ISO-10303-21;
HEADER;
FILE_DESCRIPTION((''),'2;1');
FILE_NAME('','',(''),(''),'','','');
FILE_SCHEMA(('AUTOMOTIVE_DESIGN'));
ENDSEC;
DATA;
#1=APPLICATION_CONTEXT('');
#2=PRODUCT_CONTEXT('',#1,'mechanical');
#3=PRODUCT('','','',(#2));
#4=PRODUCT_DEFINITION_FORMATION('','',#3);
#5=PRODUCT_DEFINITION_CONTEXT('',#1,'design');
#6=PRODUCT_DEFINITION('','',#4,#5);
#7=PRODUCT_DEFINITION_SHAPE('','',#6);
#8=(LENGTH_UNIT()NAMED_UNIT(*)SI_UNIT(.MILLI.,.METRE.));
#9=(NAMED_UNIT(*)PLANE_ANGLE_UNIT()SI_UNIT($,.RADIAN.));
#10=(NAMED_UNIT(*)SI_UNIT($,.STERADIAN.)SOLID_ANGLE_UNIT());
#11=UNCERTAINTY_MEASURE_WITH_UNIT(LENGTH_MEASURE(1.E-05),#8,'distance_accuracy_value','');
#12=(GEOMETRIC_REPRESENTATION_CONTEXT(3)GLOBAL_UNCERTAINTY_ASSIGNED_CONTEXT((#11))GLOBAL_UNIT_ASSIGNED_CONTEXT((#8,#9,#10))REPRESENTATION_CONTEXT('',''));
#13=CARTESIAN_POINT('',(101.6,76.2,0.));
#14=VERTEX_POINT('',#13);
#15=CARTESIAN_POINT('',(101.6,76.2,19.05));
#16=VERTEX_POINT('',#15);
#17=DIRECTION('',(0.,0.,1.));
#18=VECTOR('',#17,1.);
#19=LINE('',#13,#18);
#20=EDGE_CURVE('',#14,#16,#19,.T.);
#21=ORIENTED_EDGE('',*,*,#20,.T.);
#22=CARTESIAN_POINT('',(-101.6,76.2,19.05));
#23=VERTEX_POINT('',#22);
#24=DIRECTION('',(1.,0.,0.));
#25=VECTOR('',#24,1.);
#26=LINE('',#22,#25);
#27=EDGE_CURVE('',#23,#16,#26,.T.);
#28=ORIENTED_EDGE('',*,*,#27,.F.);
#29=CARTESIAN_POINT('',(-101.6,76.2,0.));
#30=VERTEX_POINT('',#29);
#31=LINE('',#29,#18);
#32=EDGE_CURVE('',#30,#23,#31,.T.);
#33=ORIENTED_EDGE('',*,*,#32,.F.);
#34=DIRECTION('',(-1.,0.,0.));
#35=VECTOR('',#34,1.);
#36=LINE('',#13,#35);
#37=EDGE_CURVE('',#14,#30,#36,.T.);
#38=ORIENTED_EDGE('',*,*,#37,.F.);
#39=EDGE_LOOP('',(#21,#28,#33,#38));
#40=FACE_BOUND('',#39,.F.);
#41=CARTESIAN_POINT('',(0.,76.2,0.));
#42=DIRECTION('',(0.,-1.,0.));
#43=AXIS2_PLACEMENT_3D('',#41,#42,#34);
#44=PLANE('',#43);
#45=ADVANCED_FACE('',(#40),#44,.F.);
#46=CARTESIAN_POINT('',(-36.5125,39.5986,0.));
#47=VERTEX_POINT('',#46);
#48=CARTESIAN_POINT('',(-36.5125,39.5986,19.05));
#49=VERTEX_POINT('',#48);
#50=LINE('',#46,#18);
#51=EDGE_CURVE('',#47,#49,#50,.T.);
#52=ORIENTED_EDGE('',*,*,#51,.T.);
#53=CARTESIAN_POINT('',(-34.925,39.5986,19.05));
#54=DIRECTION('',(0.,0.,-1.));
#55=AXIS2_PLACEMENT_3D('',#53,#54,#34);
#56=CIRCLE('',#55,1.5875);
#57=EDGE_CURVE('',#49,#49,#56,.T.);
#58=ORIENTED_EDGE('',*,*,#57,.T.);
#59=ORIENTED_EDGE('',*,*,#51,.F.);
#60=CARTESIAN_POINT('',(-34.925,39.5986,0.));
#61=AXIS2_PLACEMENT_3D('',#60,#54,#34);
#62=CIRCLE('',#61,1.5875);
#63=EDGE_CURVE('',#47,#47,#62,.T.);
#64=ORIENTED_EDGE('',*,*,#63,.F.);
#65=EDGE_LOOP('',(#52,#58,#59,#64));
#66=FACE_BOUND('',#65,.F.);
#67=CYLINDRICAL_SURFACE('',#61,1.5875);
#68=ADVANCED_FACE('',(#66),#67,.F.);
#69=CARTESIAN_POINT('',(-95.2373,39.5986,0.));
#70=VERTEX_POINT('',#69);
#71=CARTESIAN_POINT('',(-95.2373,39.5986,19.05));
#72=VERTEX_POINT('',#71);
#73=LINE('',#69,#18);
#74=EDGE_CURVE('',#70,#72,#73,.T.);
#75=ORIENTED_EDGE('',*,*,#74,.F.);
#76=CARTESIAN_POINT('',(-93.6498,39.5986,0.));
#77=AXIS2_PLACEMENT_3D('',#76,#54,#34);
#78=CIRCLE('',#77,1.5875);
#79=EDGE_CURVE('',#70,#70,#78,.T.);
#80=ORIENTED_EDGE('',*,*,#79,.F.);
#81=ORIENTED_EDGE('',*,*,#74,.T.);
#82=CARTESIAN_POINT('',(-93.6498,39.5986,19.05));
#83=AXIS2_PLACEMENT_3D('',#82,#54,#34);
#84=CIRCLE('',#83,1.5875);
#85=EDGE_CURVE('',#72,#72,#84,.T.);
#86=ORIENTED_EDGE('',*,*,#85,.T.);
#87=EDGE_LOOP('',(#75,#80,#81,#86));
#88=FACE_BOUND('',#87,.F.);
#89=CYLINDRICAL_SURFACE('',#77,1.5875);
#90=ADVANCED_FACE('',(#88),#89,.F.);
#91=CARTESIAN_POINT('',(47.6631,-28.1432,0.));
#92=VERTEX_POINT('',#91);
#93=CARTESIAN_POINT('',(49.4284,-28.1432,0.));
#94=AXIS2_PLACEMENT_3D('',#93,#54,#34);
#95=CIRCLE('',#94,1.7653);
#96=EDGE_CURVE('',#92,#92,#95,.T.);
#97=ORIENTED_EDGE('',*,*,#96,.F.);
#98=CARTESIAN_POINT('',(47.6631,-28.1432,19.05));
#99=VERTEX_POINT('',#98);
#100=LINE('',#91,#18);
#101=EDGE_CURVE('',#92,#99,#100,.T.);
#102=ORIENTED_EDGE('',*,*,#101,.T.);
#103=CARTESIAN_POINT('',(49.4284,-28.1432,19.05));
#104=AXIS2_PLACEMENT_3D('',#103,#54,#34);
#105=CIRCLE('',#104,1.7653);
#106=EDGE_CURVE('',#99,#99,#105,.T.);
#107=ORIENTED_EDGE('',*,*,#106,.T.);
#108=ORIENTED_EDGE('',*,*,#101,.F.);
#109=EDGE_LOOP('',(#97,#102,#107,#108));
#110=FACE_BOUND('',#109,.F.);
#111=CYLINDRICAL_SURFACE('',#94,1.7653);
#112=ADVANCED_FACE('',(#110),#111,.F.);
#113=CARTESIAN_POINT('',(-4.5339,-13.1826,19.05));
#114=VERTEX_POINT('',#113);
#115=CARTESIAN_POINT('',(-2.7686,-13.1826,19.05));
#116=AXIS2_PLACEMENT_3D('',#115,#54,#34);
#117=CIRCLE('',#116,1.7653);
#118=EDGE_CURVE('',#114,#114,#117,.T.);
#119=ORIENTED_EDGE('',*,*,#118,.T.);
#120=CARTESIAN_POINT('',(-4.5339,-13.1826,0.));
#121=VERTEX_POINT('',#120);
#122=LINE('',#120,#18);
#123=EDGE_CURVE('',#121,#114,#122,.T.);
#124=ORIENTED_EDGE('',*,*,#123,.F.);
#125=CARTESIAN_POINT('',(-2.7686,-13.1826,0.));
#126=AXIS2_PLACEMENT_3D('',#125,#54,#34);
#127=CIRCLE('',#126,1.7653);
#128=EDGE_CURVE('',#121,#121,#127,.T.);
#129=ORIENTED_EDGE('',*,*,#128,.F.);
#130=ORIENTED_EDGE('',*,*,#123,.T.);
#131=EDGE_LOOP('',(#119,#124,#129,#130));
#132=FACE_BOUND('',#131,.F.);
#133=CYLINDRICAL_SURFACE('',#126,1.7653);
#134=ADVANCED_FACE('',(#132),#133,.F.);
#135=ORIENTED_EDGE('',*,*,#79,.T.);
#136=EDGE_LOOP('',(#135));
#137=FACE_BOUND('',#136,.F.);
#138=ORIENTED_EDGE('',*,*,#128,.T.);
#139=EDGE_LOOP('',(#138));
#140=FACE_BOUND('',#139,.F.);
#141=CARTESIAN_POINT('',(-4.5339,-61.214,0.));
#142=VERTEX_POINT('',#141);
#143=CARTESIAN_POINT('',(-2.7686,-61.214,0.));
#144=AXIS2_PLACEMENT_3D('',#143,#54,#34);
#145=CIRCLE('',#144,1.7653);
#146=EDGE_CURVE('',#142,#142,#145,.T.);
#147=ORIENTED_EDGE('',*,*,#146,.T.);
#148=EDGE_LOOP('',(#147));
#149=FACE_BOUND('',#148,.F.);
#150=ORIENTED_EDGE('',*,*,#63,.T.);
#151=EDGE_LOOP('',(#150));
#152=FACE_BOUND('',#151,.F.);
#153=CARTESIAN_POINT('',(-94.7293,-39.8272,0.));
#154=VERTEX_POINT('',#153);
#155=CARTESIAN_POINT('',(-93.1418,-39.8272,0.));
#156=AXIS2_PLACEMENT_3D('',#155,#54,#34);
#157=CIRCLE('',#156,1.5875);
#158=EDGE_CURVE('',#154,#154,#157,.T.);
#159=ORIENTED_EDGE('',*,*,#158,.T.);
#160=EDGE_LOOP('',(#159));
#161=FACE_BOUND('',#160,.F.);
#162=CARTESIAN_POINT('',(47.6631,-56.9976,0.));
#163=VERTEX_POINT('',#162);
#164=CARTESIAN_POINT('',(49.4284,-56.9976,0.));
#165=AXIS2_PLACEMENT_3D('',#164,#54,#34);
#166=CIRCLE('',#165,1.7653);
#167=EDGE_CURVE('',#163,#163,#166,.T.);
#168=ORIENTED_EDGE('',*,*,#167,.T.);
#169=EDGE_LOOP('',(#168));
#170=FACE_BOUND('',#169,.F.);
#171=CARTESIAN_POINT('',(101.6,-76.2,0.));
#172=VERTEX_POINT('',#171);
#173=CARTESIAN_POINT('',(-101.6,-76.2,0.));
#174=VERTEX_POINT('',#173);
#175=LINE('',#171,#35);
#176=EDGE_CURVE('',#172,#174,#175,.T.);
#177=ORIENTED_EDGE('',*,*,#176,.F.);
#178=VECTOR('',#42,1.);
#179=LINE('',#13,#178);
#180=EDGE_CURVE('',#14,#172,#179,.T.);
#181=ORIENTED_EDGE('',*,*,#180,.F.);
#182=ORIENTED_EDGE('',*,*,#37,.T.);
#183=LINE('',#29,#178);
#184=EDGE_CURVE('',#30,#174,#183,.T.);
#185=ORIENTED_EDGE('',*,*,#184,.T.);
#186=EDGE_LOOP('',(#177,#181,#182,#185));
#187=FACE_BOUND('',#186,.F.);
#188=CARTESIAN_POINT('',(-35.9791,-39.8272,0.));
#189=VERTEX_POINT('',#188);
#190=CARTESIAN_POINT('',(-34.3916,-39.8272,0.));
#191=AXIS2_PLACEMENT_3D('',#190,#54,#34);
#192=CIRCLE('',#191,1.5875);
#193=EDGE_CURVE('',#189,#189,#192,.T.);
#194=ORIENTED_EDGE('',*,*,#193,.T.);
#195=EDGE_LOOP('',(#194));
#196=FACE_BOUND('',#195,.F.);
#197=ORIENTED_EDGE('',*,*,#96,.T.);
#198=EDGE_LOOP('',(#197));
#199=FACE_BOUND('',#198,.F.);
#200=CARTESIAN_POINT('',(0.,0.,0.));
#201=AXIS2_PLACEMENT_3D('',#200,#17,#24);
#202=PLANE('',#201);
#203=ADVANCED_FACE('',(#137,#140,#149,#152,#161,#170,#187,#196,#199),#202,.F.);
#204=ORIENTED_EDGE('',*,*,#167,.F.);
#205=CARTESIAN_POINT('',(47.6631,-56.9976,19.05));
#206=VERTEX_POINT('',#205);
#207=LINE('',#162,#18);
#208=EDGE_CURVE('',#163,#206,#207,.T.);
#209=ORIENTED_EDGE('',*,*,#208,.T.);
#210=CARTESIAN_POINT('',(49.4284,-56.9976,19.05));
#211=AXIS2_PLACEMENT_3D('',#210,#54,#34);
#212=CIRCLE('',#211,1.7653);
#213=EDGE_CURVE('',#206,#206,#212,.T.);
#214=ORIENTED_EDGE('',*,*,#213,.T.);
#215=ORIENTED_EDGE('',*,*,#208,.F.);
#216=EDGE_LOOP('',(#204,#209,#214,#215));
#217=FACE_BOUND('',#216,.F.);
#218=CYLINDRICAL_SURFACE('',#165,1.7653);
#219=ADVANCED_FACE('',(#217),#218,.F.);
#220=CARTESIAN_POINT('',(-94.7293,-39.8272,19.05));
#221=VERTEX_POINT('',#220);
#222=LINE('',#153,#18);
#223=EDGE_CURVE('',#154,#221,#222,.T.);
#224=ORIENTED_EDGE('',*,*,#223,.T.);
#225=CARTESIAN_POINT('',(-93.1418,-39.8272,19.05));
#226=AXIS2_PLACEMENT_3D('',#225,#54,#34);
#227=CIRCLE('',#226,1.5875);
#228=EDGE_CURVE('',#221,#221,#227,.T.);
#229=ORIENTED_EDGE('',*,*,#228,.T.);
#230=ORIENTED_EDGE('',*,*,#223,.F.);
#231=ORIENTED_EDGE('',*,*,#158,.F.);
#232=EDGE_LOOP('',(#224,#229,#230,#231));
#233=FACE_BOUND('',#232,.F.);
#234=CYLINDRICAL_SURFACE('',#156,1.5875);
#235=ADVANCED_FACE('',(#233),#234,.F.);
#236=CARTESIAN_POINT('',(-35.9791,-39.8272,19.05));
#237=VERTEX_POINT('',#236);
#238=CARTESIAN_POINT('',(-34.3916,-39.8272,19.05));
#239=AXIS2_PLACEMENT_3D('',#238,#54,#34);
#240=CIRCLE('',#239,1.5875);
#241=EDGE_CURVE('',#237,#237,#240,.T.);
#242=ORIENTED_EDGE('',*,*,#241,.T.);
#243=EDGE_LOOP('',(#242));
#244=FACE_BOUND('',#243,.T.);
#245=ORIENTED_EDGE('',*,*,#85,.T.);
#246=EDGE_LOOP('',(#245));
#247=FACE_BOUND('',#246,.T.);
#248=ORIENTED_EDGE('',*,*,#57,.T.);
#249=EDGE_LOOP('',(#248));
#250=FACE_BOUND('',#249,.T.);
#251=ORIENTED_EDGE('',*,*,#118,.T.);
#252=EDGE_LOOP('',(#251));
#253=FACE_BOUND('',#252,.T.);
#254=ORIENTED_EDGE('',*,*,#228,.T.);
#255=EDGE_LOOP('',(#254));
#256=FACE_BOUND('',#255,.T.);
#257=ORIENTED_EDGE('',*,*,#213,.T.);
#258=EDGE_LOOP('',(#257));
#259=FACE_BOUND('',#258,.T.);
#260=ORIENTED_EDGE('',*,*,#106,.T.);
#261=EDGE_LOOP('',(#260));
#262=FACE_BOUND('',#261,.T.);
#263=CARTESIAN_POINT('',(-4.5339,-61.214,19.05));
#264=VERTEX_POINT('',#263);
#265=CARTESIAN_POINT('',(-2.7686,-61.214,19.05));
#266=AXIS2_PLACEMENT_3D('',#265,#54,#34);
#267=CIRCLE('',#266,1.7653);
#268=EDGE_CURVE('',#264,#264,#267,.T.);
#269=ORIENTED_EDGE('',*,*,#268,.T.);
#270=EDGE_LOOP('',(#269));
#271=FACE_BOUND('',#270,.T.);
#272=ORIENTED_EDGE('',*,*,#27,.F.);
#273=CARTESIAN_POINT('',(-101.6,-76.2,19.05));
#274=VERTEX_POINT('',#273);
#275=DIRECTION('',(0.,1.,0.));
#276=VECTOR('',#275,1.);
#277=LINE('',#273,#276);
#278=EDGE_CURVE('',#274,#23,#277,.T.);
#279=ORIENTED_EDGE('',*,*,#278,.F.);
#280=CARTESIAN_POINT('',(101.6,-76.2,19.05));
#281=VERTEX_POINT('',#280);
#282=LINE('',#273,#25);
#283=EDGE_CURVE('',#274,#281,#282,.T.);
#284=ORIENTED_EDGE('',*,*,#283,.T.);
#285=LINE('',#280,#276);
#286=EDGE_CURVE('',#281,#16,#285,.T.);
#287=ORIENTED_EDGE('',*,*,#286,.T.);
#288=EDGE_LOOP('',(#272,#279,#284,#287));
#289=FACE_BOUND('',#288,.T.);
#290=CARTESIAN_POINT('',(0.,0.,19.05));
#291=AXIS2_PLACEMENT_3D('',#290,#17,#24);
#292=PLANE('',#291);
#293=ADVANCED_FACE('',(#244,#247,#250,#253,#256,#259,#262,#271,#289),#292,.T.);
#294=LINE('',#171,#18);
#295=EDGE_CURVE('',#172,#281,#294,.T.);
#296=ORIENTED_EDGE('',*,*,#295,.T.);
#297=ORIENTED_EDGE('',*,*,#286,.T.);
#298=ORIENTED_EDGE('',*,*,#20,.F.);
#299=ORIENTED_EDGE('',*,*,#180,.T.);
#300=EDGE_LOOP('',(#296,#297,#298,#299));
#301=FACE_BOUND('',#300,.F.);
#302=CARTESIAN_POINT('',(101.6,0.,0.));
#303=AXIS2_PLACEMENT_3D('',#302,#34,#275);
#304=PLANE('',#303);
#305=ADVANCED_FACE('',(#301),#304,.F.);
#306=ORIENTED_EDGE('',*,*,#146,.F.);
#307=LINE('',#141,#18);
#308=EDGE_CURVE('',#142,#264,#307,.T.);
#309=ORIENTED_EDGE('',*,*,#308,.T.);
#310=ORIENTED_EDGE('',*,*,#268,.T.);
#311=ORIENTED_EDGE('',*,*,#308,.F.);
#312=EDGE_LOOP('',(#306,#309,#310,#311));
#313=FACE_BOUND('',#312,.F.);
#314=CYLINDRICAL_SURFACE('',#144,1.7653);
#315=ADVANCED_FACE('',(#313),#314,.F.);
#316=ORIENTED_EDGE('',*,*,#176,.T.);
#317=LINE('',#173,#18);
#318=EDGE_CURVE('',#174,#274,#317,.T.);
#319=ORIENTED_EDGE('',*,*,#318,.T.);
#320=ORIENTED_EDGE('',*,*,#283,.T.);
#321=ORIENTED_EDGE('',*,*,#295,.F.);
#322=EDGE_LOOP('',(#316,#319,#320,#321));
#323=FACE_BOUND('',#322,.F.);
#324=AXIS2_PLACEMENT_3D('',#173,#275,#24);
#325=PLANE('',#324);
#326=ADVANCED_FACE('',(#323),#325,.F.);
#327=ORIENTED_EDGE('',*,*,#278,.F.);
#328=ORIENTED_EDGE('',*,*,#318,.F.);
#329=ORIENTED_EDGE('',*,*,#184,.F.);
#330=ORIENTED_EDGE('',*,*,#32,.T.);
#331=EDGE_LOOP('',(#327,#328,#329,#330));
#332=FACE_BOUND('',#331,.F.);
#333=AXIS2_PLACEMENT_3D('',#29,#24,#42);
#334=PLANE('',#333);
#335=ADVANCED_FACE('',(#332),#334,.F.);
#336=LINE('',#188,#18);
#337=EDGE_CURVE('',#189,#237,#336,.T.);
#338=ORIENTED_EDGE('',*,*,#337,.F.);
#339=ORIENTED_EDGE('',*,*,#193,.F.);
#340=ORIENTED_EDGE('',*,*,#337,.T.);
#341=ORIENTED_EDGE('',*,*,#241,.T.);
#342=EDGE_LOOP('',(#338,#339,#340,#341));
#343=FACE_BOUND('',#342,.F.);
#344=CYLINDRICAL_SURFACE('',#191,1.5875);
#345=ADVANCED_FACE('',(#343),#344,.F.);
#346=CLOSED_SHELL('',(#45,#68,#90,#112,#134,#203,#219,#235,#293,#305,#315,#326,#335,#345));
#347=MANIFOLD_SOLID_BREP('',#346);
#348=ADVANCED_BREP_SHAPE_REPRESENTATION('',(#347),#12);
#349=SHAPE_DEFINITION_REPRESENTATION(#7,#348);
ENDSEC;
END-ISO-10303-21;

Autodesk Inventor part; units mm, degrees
ref_plane "YZ Plane" through (0, 0, 0) normal (1, 0, 0) x (0, 1, 0)
ref_plane "XZ Plane" through (0, 0, 0) normal (0, 1, 0) x (-1, 0, 0)
ref_plane "XY Plane" through (0, 0, 0) normal (0, 0, 1) x (1, 0, 0)
sketch "Sketch1" plane through (0, 0, 0) normal (0, 0, 1) x (1, 0, 0)
  line L0 (-142.24, 0) -> (142.24, 0) projected
  line L1 (0, -106.68) -> (0, 106.68) projected
  line L2 (-101.6, -76.2) -> (101.6, -76.2)
  line L3 (101.6, -76.2) -> (101.6, 76.2)
  line L4 (101.6, 76.2) -> (-101.6, 76.2)
  line L5 (-101.6, 76.2) -> (-101.6, -76.2)
  point P0 (0, 0)
  dimension "d0" = 203.2
  dimension "d1" = 152.4
extrude "Extrusion1" add sketch "Sketch1" along normal blind 19.05
sketch "Sketch14" plane through (0, 0, 0) normal (0, 0, -1) x (-1, 0, 0)
  circle A0 centre (-49.4284, -56.9976) radius 1.7653
  line L0 (-101.6, -76.2) -> (-101.6, 76.2) projected
  circle A1 centre (-49.4284, -28.1432) radius 1.7653
  circle A2 centre (2.7686, -61.214) radius 1.7653
  line L1 (101.6, -76.2) -> (-101.6, -76.2) projected
  circle A3 centre (2.7686, -13.1826) radius 1.7653
  line L2 (101.6, 76.2) -> (101.6, -76.2) projected
  point P0 (0, 0)
  dimension "d20" = 3.5306
  dimension "d21" = 28.8544
  dimension "d22" = 3.5306
  dimension "d23" = 14.986
  dimension "d24" = 3.5306
  dimension "d26" = 63.0174
  dimension "d27" = 19.2024
  dimension "d28" = 3.5306
  dimension "d36" = 52.1716
  dimension "d37" = 52.1716
  dimension "d38" = 104.3686
  dimension "d39" = 104.3686
extrude "Extrusion7" cut sketch "Sketch14" against normal blind 25.4
sketch "Sketch17" plane through (0, 0, 0) normal (0, 0, -1) x (-1, 0, 0)
  circle A0 centre (34.3916, -39.8272) radius 1.5875
  line L0 (101.6, -76.2) -> (-101.6, -76.2) projected
  line L1 (101.6, 76.2) -> (101.6, -76.2) projected
  circle A1 centre (93.1418, -39.8272) radius 1.5875
  circle A2 centre (34.925, 39.5986) radius 1.5875
  circle A3 centre (93.6498, 39.5986) radius 1.5875
  line L2 (-101.6, 76.2) -> (101.6, 76.2) projected
  point P0 (0, 0)
  dimension "d48" = 36.3728
  dimension "d49" = 3.175
  dimension "d50" = 67.2084
  dimension "d51" = 8.4582
  dimension "d52" = 3.175
  dimension "d53" = 36.3728
  dimension "d54" = 66.675
  dimension "d55" = 3.175
  dimension "d56" = 7.9502
  dimension "d59" = 36.6014
  dimension "d60" = 36.6014
extrude "Extrusion9" cut sketch "Sketch17" against normal blind 19.05
properties part number "base of car"
